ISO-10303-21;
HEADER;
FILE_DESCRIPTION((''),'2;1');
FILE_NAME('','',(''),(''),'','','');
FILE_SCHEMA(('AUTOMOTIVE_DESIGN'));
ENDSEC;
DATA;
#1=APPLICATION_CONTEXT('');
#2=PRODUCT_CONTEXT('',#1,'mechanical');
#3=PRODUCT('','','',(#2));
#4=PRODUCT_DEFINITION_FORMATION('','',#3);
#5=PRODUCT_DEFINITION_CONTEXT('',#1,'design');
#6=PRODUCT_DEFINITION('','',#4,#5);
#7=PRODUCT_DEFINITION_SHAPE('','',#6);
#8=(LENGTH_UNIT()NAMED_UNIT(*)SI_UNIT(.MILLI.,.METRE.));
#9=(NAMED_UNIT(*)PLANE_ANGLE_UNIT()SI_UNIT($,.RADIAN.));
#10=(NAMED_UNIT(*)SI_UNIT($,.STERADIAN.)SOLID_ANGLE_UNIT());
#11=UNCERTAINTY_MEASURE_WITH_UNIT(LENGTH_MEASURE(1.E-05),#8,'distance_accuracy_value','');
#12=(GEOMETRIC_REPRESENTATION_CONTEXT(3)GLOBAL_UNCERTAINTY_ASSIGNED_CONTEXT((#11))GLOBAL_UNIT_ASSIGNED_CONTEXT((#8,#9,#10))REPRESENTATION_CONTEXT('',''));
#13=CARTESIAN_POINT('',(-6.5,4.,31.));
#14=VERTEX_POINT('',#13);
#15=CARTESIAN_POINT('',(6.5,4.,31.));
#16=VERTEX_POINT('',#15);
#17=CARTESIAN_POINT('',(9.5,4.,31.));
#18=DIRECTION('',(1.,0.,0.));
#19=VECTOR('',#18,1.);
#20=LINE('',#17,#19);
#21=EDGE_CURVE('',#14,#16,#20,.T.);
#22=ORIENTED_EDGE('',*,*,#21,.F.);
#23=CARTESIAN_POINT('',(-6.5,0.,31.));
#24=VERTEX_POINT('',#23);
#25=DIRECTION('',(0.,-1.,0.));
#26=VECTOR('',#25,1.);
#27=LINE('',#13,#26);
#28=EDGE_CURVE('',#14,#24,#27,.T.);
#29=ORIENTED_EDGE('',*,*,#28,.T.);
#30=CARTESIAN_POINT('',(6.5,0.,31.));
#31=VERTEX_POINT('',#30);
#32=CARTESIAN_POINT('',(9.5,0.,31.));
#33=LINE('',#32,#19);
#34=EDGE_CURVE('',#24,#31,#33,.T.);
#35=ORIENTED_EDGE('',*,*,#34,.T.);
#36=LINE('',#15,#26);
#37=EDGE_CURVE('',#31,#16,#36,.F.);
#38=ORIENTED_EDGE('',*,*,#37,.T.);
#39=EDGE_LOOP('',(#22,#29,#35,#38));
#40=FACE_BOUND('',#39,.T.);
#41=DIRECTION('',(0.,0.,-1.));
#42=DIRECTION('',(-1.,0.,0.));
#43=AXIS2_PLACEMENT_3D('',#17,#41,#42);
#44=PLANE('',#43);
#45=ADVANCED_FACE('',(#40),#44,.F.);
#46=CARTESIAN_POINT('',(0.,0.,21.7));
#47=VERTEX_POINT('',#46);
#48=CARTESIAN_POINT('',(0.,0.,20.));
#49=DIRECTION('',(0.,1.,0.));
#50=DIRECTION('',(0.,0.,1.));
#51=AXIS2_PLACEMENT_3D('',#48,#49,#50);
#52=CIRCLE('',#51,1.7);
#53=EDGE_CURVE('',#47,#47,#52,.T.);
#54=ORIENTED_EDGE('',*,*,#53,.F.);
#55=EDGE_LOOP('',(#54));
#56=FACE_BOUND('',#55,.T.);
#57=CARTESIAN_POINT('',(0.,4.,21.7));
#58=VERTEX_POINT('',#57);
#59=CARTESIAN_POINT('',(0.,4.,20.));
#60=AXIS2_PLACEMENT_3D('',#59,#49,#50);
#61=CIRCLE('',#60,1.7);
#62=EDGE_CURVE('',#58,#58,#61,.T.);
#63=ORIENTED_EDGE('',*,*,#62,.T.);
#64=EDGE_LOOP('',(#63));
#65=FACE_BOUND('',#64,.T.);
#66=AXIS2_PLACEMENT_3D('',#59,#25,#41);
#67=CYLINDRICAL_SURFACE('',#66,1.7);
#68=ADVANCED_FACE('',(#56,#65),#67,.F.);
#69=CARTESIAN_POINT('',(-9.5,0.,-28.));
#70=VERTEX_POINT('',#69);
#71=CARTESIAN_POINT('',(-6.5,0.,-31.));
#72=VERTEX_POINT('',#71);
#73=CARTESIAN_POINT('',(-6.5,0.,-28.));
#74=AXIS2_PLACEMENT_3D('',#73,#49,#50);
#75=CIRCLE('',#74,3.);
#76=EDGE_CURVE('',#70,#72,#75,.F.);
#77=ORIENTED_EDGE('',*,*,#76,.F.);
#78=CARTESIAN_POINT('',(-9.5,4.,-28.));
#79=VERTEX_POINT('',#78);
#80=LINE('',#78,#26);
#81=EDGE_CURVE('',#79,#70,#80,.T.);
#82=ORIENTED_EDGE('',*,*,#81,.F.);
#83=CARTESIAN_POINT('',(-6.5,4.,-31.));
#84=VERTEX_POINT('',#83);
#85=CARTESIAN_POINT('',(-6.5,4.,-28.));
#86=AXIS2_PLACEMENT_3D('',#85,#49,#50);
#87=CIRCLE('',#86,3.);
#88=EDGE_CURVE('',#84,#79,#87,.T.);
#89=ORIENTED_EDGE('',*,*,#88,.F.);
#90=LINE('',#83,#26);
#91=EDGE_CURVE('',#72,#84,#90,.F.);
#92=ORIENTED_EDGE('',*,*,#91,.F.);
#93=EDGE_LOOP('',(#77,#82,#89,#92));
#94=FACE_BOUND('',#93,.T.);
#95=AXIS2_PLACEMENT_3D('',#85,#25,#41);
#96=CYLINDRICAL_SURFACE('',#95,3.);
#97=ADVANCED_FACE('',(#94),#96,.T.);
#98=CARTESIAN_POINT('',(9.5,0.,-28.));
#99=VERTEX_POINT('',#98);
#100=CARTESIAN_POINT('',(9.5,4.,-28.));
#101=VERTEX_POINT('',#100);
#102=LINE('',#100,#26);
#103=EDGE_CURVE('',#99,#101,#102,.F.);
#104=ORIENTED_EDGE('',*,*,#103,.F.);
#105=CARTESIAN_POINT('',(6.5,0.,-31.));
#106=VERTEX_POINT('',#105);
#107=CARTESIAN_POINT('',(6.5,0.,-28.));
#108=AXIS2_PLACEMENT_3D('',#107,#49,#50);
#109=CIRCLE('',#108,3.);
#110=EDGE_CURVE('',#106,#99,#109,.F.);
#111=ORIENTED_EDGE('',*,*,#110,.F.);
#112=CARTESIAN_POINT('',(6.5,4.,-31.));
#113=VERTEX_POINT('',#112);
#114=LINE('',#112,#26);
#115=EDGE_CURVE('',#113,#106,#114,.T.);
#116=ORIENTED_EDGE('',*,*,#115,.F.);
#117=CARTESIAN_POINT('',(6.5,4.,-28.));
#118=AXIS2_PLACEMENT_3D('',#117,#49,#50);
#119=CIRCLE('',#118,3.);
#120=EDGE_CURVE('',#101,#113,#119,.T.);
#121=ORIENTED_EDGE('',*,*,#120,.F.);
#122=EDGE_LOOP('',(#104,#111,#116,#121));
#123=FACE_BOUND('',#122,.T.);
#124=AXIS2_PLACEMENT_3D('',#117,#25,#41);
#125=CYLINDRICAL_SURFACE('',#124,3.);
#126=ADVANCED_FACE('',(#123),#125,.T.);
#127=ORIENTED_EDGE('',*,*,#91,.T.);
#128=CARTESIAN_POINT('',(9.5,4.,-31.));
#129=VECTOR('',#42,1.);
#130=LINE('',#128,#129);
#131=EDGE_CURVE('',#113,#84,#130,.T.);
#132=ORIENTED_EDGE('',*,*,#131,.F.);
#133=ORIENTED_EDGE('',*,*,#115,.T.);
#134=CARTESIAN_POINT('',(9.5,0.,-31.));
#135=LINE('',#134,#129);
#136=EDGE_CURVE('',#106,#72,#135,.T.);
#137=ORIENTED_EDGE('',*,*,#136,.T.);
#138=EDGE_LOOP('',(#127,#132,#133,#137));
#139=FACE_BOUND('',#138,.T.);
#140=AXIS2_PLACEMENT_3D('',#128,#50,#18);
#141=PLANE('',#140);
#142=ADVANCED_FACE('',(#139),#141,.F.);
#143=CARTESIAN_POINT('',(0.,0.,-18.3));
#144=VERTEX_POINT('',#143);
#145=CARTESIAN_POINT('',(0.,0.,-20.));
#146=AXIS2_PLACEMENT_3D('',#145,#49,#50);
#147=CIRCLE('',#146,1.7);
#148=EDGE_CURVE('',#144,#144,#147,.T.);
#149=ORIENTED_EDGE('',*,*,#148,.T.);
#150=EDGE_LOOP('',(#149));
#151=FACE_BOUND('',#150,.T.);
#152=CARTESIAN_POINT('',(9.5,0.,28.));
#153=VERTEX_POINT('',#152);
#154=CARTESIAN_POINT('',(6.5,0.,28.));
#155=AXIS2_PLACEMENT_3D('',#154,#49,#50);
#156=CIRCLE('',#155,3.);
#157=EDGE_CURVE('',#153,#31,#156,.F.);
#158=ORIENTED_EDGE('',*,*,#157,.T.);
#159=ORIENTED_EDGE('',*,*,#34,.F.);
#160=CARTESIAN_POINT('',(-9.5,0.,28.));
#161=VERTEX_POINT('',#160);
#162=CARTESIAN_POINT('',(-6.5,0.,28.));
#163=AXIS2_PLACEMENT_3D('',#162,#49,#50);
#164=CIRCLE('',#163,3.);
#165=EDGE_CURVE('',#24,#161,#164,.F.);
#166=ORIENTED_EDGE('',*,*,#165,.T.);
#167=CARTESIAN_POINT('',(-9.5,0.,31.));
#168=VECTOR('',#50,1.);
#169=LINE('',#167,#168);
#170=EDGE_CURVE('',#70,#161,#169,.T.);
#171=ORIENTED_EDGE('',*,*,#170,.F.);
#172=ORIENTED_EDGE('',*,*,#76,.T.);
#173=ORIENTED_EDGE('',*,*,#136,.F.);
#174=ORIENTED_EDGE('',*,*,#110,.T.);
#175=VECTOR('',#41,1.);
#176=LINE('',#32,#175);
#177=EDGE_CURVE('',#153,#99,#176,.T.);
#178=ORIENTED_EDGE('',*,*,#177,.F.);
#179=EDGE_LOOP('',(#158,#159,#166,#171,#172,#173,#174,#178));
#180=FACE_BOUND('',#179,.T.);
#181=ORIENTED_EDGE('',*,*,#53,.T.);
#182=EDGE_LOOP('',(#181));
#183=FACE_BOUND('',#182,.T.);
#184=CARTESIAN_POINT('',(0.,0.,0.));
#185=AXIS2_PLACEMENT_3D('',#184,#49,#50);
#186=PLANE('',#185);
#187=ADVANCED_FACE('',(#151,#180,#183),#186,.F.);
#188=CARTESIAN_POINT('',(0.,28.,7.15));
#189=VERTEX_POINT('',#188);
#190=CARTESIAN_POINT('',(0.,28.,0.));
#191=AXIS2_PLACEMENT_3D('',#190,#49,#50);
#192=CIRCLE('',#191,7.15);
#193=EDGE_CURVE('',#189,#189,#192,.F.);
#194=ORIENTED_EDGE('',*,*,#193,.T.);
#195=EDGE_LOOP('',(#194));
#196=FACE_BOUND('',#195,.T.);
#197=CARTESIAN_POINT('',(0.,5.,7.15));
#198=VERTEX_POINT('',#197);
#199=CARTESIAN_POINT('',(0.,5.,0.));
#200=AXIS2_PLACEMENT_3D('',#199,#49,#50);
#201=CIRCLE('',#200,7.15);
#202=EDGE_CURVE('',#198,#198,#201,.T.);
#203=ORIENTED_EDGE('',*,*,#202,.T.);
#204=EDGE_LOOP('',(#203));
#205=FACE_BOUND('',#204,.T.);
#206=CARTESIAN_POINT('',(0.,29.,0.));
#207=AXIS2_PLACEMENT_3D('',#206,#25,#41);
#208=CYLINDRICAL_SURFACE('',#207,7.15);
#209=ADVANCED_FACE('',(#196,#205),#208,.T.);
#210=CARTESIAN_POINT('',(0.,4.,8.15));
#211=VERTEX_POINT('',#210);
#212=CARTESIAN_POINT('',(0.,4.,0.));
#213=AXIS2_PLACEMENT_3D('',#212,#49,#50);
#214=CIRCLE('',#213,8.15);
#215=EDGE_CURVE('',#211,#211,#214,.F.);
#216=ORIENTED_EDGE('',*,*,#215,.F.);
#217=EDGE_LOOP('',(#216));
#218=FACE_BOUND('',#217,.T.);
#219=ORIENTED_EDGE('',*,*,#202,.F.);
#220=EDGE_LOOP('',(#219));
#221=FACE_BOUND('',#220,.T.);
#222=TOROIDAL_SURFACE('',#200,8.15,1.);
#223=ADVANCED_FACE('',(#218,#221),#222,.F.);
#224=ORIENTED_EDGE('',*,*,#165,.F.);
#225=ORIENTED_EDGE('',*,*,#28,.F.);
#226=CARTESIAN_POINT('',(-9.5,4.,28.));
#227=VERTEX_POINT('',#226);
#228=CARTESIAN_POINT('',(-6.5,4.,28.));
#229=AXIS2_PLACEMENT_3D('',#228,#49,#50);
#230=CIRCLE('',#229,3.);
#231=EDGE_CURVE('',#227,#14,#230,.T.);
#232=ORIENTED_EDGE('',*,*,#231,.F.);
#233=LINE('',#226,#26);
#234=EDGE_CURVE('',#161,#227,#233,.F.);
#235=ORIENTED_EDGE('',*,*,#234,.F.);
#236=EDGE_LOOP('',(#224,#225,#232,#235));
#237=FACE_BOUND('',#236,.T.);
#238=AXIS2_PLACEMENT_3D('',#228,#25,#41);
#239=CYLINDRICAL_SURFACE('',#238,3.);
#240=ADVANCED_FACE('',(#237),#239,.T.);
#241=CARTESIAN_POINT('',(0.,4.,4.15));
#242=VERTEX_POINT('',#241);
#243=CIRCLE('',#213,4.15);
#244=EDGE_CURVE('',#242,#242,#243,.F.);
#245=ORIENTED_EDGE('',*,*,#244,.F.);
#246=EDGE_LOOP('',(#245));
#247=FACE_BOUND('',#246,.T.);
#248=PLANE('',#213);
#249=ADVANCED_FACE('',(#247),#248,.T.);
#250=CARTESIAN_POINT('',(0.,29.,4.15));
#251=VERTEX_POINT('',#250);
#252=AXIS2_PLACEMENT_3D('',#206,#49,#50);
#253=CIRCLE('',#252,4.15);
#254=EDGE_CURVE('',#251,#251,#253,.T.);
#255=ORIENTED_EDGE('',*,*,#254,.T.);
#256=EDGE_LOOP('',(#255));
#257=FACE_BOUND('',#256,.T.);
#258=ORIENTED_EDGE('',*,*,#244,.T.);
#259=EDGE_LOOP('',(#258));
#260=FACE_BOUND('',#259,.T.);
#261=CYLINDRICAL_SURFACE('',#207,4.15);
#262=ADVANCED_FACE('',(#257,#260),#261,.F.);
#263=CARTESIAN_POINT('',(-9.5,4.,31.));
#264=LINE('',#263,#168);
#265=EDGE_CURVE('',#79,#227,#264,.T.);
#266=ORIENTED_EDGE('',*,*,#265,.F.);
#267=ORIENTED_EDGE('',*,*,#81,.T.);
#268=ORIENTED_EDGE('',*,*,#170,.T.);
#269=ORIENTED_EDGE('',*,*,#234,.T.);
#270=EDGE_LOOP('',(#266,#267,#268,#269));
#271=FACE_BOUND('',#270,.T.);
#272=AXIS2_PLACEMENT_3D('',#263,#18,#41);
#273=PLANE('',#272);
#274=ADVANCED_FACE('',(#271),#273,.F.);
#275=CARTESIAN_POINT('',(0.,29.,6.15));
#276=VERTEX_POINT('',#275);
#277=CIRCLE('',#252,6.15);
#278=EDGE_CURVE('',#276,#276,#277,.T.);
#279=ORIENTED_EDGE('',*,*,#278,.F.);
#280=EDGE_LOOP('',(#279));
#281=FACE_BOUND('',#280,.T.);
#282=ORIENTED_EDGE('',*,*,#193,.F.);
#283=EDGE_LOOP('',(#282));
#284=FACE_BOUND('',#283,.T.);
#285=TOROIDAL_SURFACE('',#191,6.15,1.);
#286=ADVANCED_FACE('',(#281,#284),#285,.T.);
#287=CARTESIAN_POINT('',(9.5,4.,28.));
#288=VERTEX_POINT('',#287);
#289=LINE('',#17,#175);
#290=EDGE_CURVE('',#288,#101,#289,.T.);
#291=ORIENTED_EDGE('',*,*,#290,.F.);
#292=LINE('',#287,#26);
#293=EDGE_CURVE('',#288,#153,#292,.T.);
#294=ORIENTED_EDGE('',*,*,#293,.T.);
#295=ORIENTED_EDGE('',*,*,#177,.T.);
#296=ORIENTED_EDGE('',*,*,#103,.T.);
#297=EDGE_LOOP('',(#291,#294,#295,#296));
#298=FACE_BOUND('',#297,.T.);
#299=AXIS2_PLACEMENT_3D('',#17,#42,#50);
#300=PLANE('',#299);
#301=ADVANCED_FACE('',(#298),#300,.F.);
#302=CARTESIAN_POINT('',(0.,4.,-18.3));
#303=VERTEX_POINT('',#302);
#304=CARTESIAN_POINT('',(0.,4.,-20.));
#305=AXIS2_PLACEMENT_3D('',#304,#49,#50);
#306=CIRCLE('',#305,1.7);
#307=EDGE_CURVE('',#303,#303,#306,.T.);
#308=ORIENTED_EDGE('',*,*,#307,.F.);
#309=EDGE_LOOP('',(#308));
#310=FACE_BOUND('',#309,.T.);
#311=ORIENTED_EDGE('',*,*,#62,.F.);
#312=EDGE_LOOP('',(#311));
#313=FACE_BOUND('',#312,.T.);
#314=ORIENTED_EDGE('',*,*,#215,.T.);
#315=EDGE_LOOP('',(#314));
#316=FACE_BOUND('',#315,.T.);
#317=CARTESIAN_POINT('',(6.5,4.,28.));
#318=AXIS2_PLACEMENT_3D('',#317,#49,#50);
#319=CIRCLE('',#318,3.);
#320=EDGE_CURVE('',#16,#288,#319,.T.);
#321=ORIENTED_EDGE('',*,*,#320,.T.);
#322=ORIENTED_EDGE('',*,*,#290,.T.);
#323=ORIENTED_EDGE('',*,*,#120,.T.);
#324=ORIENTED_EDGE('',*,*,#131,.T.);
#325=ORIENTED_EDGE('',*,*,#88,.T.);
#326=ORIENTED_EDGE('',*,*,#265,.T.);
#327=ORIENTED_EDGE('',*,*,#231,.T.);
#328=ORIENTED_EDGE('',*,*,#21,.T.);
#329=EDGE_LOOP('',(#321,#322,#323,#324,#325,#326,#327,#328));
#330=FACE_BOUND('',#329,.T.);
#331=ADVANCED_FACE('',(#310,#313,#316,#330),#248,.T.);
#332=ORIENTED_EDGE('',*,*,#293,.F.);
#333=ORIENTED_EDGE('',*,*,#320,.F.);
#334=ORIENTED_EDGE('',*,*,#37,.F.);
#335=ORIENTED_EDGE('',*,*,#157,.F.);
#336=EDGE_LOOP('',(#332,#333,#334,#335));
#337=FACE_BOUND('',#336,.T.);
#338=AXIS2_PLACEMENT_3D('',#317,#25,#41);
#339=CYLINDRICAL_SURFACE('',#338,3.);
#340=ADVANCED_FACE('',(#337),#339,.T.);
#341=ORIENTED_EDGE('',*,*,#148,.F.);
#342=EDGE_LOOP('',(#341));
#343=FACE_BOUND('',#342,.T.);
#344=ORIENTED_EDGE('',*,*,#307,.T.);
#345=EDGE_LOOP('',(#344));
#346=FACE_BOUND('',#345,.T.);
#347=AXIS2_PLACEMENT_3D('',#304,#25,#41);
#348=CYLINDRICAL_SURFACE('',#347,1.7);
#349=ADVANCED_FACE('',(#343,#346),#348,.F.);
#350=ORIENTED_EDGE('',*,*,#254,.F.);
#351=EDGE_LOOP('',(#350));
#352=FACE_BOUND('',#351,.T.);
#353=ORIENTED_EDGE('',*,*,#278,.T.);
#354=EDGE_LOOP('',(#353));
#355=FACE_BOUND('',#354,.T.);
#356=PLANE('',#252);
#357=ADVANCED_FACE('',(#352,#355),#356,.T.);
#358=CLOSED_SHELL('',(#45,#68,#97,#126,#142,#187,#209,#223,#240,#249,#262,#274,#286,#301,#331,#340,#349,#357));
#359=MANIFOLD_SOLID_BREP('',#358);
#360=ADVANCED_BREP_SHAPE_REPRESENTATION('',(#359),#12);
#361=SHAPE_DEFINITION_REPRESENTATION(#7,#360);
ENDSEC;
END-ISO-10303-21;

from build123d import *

# Parameters (mm, degrees)
SKETCH_2_W      = 19
SKETCH_2_H      = 62
SKETCH_2_R      = 1.7
EXTRUDE_1_DEPTH = 4
SKETCH_3_R      = 7.15
SKETCH_3_R_2    = 4.15
EXTRUDE_2_DEPTH = 25
FILLET_1_R      = 3
FILLET_2_R      = 1


with BuildPart() as part:
    # 草图2 → 凸台-拉伸1 (new body)
    with BuildSketch(Plane(origin=(0, 0, 0), x_dir=(1, 0, 0), z_dir=(0, 1, 0))):
        Rectangle(SKETCH_2_W, SKETCH_2_H)
        with Locations(Location((0, 20, 0), (0, 0, 270))):
            Circle(SKETCH_2_R, mode=Mode.SUBTRACT)
        with Locations(Location((0, -20, 0), (0, 0, 270))):
            Circle(SKETCH_2_R, mode=Mode.SUBTRACT)
    extrude(amount=EXTRUDE_1_DEPTH)

    # 草图3 → 凸台-拉伸2 (add)
    with BuildSketch(Plane(origin=(0, 4, 0), x_dir=(1, 0, 0), z_dir=(0, 1, 0))):
        with Locations(Location((0, 0, 0), (0, 0, 270))):
            Circle(SKETCH_3_R)
        with Locations(Location((0, 0, 0), (0, 0, 270))):
            Circle(SKETCH_3_R_2, mode=Mode.SUBTRACT)
    extrude(amount=EXTRUDE_2_DEPTH)

    # 圆角1
    fillet_1_edges = [part.edges().sort_by_distance(p)[0] for p in [
        (-9.5, 2, -31),
        (9.5, 2, -31),
        (9.5, 2, 31),
        (-9.5, 2, 31),
    ]]
    fillet(fillet_1_edges, radius=FILLET_1_R)

    # 圆角2
    fillet_2_edges = [part.edges().sort_by_distance(p)[0] for p in [
        (0, 29, -7.15),
        (0, 4, -7.15),
    ]]
    fillet(fillet_2_edges, radius=FILLET_2_R)


solid = part.part
